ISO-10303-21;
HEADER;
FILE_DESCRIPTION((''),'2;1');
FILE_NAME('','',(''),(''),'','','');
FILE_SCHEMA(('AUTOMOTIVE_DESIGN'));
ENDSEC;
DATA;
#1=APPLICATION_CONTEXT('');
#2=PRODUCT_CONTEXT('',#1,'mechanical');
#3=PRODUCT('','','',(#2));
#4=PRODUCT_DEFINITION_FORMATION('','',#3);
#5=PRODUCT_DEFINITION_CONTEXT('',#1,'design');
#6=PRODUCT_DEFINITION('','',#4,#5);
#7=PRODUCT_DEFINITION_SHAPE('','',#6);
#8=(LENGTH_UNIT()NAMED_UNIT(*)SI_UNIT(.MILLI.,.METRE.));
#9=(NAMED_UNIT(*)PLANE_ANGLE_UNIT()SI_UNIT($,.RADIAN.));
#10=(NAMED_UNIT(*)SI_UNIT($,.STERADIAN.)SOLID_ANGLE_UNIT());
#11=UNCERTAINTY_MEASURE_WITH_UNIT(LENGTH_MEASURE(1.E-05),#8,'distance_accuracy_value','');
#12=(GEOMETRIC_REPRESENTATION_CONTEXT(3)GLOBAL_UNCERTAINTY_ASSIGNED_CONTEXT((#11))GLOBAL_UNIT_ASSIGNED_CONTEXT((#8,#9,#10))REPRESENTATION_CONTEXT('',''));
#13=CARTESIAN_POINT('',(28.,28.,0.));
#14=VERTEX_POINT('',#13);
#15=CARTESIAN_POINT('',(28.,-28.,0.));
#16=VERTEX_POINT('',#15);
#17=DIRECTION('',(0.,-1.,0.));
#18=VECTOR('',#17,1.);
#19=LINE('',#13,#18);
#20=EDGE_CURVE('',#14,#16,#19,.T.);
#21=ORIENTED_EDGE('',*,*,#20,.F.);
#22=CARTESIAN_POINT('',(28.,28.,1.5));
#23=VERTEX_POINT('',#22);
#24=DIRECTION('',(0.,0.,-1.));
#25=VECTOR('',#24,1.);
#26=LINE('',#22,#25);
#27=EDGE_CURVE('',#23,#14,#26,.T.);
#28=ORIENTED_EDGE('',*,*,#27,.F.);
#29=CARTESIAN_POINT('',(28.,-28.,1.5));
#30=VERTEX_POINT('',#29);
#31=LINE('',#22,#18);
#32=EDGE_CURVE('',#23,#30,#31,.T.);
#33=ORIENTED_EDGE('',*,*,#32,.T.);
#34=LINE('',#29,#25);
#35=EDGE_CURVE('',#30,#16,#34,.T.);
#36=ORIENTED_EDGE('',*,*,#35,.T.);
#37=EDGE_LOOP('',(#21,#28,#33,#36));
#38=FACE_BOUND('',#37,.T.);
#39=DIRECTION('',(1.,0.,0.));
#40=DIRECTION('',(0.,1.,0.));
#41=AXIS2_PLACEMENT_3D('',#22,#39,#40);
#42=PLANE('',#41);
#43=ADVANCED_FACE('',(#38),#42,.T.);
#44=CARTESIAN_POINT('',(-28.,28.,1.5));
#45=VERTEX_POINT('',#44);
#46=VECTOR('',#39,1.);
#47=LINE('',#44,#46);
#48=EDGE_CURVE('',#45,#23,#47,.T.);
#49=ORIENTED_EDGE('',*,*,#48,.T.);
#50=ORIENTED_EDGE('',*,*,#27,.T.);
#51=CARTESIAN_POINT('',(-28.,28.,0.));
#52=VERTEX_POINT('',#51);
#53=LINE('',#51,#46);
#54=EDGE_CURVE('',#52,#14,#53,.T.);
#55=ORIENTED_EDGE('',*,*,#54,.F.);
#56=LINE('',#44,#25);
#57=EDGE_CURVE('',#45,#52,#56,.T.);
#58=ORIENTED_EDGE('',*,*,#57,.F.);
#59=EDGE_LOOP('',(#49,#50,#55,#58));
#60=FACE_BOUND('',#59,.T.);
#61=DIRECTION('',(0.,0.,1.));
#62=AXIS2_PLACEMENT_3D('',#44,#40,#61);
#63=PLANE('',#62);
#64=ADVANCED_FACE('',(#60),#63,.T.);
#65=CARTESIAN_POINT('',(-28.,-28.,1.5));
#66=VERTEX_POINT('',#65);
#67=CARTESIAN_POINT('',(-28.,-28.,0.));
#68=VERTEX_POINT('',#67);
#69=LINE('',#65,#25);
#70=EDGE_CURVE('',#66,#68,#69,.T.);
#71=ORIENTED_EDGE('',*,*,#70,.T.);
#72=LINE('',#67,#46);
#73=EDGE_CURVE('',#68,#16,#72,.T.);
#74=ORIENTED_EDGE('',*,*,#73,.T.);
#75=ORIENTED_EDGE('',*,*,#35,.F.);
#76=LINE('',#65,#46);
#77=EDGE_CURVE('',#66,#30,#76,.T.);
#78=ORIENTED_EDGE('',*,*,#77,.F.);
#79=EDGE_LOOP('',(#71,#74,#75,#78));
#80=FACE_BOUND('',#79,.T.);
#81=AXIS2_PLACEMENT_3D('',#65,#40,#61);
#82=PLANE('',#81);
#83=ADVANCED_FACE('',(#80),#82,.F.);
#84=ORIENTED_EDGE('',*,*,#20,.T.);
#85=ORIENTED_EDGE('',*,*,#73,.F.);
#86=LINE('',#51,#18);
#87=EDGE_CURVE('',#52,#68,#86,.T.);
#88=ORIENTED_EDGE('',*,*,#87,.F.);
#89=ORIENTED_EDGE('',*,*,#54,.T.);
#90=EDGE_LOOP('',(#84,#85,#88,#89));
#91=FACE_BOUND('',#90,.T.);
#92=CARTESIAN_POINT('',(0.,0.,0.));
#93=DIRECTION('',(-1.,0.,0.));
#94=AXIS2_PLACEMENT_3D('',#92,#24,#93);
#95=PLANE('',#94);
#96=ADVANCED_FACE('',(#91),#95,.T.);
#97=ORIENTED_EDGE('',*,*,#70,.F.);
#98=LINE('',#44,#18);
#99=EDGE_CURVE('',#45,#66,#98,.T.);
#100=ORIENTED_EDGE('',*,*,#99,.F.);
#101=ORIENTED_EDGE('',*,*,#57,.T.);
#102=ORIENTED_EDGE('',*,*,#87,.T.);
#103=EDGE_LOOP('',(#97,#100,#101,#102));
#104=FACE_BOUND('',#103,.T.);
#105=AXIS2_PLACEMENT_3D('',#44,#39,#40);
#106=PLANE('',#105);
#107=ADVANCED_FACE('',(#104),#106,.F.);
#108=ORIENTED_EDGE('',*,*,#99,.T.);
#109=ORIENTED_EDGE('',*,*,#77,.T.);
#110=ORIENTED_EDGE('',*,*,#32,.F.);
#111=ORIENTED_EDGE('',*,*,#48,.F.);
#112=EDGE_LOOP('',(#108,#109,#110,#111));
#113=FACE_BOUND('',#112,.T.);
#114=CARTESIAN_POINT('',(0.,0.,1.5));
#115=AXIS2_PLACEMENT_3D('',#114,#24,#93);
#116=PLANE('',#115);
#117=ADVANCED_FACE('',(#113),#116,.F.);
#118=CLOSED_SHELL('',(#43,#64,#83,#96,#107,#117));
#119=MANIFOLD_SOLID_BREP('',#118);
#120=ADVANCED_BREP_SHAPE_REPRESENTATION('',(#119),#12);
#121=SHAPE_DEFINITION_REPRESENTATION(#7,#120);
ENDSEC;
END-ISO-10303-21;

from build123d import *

# Parameters (mm, degrees)
SKETCH1_W           = 56
SKETCH1_H           = 56
BOSS_EXTRUDE1_DEPTH = 1.5


with BuildPart() as part:
    # Sketch1 → Boss-Extrude1 (new body)
    with BuildSketch(Plane.XY):
        Rectangle(SKETCH1_W, SKETCH1_H)
    extrude(amount=BOSS_EXTRUDE1_DEPTH)


solid = part.part
